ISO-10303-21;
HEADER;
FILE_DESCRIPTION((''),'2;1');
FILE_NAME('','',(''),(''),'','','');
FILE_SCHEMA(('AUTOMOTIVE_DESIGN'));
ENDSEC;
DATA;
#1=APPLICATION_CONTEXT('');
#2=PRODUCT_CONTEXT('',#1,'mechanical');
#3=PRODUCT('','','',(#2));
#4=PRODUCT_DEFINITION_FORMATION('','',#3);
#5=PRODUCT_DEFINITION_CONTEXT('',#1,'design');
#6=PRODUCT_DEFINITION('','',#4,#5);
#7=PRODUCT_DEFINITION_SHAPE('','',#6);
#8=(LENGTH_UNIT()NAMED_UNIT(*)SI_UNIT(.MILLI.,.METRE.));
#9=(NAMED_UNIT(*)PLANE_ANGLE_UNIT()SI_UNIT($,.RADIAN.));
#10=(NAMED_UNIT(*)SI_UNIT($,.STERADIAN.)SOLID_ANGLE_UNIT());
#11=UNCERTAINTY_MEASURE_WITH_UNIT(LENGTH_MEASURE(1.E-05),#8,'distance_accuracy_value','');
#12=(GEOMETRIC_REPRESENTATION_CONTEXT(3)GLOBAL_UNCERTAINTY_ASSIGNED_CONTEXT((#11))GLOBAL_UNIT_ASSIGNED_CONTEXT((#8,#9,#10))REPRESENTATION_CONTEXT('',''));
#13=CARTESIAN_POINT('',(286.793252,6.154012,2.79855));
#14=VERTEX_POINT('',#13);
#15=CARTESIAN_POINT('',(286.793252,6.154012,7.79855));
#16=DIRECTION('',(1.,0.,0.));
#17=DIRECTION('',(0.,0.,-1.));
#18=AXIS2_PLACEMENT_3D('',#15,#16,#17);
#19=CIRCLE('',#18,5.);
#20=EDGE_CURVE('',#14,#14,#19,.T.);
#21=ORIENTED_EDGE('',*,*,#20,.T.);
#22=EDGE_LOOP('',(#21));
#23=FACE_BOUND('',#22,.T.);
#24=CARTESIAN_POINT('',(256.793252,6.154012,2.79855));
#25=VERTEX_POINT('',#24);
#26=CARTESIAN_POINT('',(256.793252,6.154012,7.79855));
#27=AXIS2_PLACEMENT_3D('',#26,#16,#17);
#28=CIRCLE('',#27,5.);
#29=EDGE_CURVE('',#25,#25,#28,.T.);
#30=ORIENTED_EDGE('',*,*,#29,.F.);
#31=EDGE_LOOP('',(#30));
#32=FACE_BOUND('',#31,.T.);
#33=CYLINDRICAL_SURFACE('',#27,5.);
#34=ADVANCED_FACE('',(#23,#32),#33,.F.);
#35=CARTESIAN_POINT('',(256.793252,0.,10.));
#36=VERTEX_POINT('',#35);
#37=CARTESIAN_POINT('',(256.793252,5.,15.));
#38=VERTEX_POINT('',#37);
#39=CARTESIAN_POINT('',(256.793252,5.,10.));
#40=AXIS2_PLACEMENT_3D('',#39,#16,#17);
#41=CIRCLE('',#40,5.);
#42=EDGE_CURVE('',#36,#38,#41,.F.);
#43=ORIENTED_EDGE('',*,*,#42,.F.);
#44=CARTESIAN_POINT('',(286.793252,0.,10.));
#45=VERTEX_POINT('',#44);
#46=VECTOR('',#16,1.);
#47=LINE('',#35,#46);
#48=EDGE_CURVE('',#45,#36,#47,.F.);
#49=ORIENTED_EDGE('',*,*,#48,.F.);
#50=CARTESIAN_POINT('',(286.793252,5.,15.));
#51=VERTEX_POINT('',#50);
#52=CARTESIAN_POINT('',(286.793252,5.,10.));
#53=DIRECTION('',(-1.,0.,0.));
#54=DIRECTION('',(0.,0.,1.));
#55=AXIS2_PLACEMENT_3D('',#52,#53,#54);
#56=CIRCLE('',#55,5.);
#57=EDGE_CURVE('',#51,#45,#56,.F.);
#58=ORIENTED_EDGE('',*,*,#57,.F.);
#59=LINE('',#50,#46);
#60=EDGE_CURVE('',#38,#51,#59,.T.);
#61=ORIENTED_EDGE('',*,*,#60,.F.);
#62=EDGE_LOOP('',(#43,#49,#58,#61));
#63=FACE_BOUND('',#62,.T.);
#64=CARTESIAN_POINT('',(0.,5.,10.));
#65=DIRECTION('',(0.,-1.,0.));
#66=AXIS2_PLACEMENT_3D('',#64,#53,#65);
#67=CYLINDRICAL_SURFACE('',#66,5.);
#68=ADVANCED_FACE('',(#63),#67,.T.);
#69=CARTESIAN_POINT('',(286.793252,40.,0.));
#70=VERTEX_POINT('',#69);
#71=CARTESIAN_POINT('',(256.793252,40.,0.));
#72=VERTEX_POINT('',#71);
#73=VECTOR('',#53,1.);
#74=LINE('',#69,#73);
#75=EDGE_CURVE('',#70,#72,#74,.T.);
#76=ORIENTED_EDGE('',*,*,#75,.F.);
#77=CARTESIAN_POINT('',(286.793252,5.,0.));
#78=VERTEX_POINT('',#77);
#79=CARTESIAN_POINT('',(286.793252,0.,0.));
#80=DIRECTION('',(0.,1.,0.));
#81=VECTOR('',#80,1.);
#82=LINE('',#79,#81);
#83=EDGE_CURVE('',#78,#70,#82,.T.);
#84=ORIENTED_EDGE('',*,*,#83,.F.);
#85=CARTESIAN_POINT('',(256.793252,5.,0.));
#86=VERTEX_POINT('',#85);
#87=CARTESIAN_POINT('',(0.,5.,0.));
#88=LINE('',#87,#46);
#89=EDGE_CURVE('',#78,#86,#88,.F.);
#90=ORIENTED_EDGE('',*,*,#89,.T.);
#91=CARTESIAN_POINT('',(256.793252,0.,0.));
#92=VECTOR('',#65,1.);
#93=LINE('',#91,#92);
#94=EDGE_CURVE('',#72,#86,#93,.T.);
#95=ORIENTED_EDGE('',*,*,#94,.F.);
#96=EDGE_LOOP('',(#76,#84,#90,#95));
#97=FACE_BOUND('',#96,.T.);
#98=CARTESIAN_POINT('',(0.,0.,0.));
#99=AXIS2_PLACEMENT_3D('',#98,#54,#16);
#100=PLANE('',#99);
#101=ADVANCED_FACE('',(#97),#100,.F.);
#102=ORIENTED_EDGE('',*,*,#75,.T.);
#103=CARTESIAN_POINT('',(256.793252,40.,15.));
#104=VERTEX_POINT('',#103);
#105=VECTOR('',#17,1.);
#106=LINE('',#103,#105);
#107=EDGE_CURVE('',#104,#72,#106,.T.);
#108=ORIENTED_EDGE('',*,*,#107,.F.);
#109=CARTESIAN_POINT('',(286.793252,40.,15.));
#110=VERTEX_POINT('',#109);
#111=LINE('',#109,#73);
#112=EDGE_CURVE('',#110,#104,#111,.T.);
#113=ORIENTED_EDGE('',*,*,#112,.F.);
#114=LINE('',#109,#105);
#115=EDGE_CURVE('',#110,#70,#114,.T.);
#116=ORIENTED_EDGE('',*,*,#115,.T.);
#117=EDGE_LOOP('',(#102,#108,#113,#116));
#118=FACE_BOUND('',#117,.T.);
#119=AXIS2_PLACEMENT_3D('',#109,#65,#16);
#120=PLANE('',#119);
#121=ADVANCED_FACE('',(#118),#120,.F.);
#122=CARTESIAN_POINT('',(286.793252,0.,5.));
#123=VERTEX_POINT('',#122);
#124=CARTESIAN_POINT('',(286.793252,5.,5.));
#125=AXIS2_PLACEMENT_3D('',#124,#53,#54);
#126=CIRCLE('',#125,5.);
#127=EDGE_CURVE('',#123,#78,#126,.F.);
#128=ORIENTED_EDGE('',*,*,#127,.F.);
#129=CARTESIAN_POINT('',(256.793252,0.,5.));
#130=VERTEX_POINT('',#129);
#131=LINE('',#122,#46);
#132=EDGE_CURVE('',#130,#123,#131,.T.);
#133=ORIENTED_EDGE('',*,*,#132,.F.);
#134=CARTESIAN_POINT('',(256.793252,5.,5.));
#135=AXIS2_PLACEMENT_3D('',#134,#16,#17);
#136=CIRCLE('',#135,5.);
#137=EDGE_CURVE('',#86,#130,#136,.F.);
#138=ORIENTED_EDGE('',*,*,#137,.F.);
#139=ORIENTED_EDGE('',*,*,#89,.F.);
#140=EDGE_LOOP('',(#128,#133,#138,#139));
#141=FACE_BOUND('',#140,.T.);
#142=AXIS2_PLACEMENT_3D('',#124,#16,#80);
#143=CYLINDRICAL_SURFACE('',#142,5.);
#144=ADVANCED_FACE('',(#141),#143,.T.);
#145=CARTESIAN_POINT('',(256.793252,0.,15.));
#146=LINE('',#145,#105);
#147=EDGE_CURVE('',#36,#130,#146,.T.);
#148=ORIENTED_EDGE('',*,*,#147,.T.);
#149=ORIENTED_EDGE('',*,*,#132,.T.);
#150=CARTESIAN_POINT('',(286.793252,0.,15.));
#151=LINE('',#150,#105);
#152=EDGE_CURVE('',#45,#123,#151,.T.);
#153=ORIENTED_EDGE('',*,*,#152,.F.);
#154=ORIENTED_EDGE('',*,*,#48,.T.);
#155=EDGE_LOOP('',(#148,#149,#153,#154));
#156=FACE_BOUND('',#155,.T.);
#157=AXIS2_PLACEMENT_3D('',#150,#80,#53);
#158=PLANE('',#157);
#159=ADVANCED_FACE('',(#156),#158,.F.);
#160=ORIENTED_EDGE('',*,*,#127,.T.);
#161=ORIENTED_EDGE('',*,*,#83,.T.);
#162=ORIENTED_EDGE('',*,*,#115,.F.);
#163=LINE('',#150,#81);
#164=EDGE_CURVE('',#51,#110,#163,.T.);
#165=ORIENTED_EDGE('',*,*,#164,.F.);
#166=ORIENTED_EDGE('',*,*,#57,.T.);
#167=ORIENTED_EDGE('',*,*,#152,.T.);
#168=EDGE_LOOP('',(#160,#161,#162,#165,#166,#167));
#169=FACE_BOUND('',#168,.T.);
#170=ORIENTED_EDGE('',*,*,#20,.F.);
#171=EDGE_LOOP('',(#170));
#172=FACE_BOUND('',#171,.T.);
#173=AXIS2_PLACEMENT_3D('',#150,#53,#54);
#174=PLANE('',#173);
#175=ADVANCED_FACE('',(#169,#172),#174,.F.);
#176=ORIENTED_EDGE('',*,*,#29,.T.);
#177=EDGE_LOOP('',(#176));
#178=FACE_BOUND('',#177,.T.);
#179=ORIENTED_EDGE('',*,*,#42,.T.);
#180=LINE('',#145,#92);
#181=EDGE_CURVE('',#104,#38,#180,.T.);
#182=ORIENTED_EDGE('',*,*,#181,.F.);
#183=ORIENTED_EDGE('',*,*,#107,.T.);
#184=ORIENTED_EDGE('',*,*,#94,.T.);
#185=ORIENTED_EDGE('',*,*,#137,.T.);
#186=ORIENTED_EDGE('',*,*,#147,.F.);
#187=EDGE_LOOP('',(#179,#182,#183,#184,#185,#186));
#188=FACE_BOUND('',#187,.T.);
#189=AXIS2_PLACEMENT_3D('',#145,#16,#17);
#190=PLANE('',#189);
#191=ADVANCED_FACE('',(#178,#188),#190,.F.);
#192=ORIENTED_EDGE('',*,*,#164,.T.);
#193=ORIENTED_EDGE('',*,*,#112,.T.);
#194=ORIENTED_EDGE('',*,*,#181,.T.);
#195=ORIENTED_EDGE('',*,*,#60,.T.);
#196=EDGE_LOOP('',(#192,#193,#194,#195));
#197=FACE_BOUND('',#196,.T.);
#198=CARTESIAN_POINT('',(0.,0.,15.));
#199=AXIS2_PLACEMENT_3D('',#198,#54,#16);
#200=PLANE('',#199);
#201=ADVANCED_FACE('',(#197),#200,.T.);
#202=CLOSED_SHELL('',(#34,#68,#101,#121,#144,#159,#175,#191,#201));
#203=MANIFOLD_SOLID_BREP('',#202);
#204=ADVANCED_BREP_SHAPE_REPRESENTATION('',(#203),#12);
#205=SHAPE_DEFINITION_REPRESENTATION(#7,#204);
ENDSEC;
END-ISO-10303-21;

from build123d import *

# Parameters (mm, degrees)
SKETCH1_W           = 30
SKETCH1_H           = 40
BOSS_EXTRUDE2_DEPTH = 15
FILLET4_R           = 5
FILLET5_R           = 5
SKETCH3_R           = 5
CUT_EXTRUDE2_DEPTH  = 53.201532545


with BuildPart() as part:
    # Sketch1 → Boss-Extrude2 (new body)
    with BuildSketch(Plane.XY):
        with Locations((271.793252061, 20)):
            Rectangle(SKETCH1_W, SKETCH1_H)
    extrude(amount=BOSS_EXTRUDE2_DEPTH)

    # Fillet4
    fillet4_edges = [part.edges().sort_by_distance(p)[0] for p in [
        (271.793252061, 0, 15),
    ]]
    fillet(fillet4_edges, radius=FILLET4_R)

    # Fillet5
    fillet5_edges = [part.edges().sort_by_distance(p)[0] for p in [
        (271.793252061, 0, 0),
    ]]
    fillet(fillet5_edges, radius=FILLET5_R)

    # Sketch3 → Cut-Extrude2 (cut, through all)
    with BuildSketch(Plane(origin=(286.793252061, 0, 0), x_dir=(0, 0, -1), z_dir=(1, 0, 0))):
        with Locations((-7.798550368, 6.154011522)):
            Circle(SKETCH3_R)
    extrude(amount=-CUT_EXTRUDE2_DEPTH, mode=Mode.SUBTRACT)


solid = part.part
